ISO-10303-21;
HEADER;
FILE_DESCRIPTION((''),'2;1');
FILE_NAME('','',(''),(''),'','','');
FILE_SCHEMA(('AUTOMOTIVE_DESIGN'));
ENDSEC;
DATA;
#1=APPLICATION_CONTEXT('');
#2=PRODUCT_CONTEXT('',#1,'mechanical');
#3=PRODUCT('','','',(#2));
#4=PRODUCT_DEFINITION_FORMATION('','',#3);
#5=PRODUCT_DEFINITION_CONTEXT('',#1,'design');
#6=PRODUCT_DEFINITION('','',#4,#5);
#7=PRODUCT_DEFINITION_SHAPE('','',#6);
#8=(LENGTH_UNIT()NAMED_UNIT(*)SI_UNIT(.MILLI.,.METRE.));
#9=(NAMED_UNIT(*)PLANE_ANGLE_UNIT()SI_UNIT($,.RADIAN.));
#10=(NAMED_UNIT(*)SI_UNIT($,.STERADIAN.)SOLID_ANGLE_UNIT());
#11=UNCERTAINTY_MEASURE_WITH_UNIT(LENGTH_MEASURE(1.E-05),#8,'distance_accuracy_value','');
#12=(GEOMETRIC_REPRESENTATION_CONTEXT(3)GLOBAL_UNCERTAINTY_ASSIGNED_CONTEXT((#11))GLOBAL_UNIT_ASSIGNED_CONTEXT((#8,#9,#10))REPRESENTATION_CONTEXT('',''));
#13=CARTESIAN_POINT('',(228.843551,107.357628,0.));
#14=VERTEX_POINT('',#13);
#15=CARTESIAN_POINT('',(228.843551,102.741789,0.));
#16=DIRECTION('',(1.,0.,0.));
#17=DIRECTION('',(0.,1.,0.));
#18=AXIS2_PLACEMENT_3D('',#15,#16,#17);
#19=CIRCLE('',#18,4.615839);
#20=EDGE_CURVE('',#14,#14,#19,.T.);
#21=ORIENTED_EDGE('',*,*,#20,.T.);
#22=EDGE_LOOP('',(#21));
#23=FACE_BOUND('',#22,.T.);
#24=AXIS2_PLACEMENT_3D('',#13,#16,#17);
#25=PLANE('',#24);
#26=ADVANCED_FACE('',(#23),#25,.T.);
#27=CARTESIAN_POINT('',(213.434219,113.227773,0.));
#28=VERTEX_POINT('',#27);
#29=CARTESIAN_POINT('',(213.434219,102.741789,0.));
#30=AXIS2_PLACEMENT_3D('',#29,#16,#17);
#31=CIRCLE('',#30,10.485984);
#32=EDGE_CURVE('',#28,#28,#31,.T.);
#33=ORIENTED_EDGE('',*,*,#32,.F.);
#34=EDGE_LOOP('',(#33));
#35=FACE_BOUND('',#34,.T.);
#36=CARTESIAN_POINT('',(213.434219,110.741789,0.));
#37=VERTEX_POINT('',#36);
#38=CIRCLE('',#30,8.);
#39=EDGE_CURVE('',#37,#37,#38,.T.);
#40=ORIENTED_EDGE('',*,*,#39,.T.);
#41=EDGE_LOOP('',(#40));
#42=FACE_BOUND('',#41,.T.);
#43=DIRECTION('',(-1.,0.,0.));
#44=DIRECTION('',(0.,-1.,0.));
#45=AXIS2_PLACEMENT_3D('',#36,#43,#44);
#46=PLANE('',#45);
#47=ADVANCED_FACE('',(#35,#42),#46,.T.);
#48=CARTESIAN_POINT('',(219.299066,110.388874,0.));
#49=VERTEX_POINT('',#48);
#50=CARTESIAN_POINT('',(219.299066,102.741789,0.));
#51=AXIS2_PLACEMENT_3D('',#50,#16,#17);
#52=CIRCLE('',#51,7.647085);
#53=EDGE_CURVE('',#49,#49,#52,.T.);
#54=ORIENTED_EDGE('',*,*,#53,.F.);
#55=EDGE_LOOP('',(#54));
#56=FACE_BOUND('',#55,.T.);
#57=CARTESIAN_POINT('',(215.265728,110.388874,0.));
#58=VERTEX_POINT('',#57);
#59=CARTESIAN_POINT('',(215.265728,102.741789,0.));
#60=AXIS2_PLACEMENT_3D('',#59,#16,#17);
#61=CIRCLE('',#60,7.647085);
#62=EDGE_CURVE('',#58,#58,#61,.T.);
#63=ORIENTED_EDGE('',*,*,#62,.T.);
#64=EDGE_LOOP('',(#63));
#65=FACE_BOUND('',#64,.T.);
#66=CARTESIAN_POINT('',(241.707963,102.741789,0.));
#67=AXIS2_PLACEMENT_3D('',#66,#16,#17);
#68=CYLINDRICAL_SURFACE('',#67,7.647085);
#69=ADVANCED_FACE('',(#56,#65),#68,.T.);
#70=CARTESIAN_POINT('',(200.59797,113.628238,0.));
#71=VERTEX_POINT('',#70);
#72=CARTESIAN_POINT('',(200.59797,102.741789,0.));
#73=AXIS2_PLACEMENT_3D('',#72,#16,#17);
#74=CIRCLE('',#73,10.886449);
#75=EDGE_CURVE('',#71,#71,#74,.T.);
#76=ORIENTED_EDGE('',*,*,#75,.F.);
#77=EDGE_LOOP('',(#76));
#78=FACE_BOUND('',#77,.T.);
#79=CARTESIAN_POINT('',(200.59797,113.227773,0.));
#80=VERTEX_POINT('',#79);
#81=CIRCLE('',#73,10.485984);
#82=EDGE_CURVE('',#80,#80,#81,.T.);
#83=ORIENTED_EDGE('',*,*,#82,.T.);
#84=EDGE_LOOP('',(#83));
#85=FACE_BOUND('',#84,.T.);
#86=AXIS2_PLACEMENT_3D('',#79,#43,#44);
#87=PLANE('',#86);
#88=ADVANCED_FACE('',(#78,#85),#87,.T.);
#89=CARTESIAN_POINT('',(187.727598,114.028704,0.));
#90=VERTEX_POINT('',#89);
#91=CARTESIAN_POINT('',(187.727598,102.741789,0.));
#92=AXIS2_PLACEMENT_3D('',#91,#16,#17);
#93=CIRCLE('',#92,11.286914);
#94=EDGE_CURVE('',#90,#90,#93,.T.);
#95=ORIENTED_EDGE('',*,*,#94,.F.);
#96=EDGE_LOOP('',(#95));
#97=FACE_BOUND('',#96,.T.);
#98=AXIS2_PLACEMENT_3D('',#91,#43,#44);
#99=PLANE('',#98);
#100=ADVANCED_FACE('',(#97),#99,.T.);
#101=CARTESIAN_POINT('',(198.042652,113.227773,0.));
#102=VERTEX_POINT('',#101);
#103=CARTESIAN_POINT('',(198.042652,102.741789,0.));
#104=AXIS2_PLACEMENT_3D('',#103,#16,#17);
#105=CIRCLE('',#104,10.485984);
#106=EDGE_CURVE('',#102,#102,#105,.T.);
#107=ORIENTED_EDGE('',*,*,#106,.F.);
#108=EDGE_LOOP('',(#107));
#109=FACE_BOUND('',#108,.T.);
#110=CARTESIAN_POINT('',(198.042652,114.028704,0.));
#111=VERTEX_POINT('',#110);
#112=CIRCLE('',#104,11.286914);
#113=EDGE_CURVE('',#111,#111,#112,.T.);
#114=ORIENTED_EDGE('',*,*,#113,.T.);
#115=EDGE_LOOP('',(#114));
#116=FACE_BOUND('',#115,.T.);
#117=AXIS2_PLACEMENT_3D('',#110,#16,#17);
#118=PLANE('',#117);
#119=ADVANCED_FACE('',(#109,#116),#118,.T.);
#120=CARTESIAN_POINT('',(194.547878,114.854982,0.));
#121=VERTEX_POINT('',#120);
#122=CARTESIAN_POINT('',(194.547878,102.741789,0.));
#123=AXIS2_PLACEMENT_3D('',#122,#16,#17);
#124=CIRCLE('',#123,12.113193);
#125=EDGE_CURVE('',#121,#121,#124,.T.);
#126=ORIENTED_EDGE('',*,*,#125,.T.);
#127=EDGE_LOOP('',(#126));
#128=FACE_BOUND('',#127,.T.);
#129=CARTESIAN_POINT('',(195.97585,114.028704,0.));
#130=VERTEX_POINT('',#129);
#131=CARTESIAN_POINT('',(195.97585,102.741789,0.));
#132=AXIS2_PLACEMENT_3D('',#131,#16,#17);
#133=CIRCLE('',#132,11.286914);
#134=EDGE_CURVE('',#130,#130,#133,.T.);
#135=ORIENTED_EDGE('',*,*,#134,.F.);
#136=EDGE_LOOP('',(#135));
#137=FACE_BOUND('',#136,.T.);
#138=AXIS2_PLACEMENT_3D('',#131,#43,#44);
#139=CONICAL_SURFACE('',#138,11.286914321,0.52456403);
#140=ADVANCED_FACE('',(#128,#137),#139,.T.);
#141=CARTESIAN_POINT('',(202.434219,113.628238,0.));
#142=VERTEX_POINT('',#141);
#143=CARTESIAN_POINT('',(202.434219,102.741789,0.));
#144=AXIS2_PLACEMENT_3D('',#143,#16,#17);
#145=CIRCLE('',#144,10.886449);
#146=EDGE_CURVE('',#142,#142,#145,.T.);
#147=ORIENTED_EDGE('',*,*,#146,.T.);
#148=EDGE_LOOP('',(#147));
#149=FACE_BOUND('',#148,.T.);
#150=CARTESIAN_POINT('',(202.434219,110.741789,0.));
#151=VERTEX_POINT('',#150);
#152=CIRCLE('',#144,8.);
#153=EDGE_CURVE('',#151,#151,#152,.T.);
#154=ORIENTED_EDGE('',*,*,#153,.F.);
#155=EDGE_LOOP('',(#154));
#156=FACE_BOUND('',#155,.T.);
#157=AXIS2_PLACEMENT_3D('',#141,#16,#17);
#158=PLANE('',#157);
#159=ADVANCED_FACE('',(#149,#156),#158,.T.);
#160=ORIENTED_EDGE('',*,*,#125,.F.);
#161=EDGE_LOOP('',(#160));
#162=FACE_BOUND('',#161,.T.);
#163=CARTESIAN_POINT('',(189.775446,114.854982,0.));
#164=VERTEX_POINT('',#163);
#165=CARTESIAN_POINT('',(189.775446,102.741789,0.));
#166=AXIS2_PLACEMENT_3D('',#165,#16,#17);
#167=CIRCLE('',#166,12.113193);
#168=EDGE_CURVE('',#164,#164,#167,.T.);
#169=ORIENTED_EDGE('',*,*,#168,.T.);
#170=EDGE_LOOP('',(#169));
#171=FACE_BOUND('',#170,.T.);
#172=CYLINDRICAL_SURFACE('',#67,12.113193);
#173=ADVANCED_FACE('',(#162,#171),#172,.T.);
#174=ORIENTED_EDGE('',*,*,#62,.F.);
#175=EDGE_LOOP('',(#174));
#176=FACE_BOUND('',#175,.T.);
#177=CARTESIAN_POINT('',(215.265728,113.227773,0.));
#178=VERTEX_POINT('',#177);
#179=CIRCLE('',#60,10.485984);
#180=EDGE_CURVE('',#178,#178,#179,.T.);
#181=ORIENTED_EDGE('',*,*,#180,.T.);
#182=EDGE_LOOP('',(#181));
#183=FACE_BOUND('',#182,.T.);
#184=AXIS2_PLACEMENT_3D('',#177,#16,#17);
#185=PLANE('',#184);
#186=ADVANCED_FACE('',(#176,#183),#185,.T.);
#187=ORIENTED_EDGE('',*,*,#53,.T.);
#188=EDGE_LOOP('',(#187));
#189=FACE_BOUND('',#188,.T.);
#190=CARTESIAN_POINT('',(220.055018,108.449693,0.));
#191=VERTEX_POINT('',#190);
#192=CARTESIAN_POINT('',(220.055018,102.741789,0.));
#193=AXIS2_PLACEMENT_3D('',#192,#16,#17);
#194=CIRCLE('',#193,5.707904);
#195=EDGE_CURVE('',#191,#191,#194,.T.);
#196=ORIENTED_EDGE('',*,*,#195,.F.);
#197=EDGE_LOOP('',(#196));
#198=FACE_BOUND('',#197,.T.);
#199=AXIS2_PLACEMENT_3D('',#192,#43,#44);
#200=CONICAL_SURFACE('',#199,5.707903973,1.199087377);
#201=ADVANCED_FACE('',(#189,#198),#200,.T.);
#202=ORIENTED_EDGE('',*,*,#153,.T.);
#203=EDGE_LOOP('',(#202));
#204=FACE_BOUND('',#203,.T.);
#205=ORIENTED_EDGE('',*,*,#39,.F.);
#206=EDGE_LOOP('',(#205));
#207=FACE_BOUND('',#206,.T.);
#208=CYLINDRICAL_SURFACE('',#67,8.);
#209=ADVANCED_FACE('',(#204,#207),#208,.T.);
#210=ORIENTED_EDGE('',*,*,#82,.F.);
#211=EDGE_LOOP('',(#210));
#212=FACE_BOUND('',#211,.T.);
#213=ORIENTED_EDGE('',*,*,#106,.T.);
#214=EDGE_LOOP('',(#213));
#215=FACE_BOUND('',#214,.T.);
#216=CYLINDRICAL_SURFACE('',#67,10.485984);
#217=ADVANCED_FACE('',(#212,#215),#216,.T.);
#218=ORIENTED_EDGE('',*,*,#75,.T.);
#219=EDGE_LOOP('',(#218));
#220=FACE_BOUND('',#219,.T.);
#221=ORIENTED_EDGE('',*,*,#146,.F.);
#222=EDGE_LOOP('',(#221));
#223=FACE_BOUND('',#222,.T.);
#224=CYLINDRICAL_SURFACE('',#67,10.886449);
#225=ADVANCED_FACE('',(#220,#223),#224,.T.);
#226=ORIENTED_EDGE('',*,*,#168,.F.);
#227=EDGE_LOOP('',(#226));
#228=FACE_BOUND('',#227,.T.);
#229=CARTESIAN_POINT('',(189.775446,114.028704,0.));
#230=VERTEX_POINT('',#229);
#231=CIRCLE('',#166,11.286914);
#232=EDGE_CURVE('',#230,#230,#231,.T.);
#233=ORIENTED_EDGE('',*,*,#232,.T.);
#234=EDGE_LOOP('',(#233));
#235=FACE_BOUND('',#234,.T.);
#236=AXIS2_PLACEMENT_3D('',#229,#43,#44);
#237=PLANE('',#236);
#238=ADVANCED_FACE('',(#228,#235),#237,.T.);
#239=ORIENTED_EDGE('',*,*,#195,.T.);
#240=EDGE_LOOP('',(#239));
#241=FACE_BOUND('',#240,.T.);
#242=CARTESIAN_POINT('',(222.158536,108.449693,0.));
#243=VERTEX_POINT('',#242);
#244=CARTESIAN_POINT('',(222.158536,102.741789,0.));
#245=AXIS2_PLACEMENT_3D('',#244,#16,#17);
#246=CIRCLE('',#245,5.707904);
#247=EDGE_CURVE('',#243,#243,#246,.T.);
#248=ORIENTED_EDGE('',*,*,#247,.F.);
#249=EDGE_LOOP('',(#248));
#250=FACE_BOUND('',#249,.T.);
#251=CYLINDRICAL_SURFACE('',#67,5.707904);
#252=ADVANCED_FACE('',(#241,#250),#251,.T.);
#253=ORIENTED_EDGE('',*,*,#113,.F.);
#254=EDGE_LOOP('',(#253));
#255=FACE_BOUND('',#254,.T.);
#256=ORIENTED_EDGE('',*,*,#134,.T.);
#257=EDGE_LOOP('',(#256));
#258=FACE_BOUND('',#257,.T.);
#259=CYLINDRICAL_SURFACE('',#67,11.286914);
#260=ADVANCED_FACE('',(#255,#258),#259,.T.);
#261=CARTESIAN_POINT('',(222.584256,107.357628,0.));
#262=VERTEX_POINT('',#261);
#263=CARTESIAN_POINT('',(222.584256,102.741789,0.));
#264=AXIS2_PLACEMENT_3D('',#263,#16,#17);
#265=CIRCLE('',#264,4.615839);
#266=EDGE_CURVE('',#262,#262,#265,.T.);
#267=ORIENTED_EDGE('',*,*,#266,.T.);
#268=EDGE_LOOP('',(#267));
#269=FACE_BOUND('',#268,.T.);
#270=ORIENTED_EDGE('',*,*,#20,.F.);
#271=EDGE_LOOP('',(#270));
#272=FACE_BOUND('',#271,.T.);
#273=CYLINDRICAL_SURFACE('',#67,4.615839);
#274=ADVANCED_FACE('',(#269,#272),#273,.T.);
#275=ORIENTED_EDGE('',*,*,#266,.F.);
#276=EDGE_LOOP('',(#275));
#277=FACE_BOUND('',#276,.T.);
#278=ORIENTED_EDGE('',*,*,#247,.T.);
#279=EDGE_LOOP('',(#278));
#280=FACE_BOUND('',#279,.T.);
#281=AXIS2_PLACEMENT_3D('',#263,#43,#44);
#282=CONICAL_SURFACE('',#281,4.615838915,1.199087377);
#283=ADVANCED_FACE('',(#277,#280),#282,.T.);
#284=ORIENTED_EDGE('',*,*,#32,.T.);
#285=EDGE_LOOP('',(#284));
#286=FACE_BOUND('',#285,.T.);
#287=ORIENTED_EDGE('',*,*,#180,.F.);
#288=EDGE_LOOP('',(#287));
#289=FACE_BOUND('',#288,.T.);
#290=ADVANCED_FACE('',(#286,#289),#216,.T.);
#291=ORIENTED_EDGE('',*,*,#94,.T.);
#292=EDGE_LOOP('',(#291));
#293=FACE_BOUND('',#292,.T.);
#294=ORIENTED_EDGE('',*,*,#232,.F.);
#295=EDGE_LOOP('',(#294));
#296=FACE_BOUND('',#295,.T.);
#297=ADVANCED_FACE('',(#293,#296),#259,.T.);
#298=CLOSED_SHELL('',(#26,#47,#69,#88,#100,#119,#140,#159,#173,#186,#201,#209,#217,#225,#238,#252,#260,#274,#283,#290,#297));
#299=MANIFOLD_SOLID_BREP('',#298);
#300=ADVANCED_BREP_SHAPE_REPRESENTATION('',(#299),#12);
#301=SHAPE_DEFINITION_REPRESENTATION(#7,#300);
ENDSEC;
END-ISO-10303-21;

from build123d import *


with BuildPart() as part:
    # Sketch2 → Revolve2 (revolve)
    with BuildSketch(Plane.XY):
        Polygon((187.727597645, 102.741789212), (187.727597645, 114.028703533), (189.775445954, 114.028703533), (189.775445954, 114.854982346), (194.54787846, 114.854982346), (195.975850391, 114.028703533), (198.04265187, 114.028703533), (198.04265187, 113.227772851), (200.597970063, 113.227772851), (200.597970063, 113.628238192), (202.434218655, 113.628238192), (202.434218655, 110.741789212), (213.434218655, 110.741789212), (213.434218655, 113.227772851), (215.265727926, 113.227772851), (215.265727926, 110.388873813), (219.299066117, 110.388873813), (220.055017887, 108.449693185), (222.158535856, 108.449693185), (222.584256133, 107.357628126), (228.843550949, 107.357628126), (228.843550949, 102.741789212), align=None)
    revolve(axis=Axis((241.707962768, 102.741789212, 0), (-1, 0, 0)))


solid = part.part
